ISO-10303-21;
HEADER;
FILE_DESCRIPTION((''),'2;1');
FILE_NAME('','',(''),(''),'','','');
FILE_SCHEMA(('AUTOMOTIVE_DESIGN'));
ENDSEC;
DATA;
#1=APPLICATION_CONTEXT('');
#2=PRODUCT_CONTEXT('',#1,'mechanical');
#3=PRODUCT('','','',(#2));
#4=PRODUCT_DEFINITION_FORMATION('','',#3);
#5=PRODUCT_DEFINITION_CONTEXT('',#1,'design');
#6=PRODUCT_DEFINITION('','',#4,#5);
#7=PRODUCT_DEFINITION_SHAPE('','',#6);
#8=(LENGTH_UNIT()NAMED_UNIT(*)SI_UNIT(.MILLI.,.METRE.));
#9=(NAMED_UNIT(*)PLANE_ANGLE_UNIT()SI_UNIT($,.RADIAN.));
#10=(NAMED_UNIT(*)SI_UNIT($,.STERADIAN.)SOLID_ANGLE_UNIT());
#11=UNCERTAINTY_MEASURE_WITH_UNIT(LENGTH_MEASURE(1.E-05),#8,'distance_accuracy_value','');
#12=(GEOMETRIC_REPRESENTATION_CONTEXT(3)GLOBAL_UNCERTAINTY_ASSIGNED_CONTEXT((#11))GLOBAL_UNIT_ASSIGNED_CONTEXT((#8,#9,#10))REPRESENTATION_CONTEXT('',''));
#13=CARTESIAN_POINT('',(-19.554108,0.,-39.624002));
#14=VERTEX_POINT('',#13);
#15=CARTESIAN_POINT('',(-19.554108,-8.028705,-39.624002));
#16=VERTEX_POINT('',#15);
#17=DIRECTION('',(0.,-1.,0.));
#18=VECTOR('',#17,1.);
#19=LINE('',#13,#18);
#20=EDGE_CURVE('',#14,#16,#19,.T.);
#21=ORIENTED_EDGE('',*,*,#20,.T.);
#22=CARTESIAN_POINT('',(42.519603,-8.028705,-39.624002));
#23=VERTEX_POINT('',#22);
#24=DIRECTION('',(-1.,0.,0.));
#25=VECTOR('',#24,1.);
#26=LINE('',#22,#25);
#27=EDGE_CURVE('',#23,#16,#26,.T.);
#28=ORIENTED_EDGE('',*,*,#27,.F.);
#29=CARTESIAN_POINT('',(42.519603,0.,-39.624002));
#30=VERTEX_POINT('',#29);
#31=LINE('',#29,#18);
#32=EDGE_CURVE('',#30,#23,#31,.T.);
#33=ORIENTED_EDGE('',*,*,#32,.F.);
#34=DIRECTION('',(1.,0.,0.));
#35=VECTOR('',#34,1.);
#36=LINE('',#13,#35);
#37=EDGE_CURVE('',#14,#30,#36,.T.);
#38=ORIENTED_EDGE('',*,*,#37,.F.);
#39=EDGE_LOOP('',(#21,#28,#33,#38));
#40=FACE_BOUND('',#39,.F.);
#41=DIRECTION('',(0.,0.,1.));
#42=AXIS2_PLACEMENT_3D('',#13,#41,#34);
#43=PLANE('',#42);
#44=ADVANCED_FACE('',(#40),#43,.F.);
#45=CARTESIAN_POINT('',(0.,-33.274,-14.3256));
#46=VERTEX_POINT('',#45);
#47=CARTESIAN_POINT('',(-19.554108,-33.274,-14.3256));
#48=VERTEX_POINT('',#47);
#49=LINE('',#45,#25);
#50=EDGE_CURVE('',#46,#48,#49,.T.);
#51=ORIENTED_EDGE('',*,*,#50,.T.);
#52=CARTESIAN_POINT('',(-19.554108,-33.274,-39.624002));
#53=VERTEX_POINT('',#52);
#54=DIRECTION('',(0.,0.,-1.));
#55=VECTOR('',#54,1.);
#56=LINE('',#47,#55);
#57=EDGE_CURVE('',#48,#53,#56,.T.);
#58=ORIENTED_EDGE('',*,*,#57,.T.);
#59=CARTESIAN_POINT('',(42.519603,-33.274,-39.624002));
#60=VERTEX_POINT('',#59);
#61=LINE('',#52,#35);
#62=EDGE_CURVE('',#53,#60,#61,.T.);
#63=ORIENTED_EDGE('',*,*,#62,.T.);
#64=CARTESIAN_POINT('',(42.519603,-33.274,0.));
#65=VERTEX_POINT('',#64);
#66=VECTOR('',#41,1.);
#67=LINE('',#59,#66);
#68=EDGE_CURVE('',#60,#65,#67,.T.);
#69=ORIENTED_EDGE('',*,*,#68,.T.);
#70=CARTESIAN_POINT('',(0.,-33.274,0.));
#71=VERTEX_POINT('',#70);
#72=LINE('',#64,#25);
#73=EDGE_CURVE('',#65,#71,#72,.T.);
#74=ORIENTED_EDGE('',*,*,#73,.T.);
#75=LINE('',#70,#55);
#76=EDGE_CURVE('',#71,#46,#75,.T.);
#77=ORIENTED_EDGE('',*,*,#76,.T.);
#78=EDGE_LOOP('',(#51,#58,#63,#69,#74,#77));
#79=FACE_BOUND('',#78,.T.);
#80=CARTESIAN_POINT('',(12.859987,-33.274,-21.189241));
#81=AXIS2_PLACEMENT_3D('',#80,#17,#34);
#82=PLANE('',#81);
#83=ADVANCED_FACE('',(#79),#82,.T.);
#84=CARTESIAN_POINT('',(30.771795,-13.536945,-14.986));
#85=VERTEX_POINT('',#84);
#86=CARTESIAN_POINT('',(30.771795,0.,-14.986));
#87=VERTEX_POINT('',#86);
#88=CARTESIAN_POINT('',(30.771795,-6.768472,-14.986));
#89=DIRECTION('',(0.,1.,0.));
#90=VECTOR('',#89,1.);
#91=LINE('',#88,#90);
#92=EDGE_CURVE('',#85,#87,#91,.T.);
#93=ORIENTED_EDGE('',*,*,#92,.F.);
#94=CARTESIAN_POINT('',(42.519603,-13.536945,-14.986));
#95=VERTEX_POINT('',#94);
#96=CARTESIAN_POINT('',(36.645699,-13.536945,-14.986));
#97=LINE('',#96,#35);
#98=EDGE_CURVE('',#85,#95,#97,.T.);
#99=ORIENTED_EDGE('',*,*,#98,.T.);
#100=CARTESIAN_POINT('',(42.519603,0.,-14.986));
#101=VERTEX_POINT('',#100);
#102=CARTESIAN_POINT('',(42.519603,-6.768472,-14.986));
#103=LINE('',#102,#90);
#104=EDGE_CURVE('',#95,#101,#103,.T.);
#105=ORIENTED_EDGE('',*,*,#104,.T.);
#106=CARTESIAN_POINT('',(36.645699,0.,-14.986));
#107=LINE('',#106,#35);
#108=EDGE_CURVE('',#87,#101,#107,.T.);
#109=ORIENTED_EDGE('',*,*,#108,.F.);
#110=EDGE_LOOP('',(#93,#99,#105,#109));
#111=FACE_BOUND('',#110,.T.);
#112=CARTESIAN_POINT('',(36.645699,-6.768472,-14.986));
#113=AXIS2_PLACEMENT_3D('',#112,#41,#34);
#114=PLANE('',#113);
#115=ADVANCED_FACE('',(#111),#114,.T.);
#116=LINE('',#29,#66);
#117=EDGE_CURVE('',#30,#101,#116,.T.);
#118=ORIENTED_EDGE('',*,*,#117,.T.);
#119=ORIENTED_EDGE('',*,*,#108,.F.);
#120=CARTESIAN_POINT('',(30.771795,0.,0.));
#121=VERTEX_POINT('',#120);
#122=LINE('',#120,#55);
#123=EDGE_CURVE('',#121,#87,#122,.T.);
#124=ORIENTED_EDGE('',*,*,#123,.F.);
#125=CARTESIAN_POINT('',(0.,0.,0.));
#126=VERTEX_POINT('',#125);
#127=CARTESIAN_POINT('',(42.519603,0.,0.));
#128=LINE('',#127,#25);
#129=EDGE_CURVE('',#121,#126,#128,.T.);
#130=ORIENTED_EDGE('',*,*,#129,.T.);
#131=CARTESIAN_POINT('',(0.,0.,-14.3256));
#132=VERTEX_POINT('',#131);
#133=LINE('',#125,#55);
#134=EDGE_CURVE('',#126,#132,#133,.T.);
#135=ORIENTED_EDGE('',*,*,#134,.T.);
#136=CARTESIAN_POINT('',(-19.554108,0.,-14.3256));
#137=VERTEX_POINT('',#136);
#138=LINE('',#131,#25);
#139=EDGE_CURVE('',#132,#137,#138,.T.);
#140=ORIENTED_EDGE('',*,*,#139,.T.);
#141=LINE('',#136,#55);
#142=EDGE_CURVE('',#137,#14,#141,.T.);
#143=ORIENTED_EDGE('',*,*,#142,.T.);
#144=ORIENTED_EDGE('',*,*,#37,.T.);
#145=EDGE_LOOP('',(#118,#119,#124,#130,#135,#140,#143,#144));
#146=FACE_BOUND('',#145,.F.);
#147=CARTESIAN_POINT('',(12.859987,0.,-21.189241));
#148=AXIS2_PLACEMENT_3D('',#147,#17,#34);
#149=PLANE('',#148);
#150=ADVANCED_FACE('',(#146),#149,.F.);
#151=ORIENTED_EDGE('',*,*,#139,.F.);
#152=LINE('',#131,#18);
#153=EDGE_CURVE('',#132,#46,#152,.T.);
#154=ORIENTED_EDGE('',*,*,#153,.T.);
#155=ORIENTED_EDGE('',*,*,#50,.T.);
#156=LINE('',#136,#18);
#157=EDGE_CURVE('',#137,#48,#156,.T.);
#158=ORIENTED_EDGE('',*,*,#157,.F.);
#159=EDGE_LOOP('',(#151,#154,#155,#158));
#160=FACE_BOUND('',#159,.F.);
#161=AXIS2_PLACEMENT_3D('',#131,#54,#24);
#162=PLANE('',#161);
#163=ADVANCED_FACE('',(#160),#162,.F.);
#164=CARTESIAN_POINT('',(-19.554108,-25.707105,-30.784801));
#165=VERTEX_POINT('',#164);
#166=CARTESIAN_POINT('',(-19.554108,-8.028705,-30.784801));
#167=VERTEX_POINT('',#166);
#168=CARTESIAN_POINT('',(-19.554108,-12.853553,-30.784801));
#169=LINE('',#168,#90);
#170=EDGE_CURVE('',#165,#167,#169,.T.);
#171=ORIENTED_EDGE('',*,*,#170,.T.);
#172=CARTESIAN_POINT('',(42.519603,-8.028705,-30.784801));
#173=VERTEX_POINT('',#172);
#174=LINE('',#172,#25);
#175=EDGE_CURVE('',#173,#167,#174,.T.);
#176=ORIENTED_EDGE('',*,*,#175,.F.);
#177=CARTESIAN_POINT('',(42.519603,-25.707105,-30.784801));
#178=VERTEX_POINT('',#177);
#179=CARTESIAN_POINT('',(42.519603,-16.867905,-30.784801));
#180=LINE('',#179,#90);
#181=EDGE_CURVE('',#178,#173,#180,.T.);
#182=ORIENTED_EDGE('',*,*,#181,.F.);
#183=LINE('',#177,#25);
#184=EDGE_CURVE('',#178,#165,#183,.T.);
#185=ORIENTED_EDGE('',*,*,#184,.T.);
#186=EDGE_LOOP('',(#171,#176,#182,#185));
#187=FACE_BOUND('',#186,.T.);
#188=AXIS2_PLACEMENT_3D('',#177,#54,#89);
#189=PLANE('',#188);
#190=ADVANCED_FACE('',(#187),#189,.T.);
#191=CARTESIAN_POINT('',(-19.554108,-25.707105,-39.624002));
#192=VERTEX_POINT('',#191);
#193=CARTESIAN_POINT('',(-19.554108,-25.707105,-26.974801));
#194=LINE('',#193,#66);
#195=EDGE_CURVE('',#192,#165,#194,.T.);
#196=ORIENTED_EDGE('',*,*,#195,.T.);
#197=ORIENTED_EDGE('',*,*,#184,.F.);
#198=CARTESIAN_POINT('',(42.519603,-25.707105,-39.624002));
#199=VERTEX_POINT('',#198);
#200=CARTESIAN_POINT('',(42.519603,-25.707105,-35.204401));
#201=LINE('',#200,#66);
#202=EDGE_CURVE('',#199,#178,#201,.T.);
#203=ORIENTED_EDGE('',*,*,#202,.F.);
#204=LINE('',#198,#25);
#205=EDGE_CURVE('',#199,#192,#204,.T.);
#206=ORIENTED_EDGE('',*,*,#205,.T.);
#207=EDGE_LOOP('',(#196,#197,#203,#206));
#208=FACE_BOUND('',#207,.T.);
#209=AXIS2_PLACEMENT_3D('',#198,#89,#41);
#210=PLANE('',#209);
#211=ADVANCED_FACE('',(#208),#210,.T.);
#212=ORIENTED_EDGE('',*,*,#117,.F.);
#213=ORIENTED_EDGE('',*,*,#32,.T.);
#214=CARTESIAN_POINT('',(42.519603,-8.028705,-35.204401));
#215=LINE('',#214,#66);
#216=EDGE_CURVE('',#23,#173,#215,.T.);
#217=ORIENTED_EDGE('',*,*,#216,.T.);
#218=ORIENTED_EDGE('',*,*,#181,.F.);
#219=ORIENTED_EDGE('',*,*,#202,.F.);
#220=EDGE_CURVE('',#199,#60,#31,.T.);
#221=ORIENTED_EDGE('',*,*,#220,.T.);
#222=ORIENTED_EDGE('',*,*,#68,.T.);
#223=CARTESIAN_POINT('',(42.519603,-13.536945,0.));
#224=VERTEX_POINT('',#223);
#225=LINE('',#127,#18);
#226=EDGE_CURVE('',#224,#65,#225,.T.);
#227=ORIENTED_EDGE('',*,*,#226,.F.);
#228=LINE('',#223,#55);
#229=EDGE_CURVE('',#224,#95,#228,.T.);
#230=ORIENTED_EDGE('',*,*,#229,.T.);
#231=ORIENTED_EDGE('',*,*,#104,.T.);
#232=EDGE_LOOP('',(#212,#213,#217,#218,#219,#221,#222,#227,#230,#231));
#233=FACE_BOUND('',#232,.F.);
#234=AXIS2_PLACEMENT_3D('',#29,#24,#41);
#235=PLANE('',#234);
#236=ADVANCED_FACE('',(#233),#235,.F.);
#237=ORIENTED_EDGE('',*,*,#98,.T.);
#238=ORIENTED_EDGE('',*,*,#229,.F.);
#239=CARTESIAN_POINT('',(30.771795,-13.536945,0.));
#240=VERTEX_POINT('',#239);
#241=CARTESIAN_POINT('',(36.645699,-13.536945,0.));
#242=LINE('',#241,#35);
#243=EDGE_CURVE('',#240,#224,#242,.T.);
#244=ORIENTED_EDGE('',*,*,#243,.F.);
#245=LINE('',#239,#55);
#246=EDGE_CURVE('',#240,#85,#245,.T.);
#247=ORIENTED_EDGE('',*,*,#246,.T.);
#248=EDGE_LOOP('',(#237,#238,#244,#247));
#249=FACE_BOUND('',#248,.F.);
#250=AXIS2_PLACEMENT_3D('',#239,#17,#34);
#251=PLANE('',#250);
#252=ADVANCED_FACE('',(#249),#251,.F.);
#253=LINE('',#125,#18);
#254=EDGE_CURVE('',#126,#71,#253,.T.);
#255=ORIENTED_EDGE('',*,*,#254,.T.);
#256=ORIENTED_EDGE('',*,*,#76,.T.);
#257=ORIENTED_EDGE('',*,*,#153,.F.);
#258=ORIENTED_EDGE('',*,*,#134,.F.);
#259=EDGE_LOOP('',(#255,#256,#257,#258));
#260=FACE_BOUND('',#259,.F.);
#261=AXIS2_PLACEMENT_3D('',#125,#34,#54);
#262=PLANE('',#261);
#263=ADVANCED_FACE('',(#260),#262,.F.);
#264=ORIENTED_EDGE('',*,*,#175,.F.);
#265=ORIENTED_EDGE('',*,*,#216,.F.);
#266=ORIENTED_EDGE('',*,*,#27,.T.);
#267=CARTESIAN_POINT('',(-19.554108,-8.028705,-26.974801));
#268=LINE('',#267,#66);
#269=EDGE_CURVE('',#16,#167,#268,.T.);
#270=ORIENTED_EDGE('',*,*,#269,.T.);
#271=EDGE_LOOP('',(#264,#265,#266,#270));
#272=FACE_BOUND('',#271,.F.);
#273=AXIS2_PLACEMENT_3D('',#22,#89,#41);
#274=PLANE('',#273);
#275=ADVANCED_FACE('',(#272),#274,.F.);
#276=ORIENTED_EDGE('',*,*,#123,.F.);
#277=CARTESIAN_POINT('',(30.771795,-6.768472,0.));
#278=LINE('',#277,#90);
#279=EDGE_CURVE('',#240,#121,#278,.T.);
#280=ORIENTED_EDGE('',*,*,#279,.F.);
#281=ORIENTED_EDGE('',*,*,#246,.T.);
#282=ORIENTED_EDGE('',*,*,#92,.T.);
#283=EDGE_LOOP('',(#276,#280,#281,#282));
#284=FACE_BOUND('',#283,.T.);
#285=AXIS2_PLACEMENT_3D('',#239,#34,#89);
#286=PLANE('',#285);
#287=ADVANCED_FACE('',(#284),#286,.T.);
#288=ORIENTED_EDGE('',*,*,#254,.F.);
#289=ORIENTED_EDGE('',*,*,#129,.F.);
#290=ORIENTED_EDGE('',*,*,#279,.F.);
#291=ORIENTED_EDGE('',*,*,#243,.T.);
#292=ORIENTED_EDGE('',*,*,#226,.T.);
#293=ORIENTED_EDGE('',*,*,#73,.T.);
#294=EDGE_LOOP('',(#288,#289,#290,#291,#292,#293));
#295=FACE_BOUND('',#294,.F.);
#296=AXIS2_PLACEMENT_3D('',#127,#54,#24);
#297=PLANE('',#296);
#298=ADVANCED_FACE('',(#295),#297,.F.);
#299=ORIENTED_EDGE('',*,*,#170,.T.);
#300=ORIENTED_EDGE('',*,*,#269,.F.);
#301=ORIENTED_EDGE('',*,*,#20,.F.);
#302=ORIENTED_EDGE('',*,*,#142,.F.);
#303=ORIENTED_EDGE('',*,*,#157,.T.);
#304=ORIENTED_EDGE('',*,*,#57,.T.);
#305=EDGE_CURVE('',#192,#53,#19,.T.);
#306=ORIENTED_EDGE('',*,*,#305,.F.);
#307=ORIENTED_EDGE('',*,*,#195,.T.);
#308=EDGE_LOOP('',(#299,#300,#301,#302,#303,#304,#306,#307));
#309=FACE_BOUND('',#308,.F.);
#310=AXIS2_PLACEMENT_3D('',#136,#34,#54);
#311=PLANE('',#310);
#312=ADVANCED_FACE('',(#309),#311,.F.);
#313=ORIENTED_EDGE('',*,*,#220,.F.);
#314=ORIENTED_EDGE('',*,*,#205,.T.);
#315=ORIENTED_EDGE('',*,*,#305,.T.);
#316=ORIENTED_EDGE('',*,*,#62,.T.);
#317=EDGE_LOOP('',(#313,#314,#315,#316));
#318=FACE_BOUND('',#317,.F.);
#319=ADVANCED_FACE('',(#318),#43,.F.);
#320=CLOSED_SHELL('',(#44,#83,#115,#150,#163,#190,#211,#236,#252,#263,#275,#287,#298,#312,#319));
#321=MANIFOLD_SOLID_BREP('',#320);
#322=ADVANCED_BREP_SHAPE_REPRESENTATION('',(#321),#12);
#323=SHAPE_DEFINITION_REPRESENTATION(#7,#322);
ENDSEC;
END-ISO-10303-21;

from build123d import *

# Parameters (mm, degrees)
F1_DEPTH = 33.274
F2_W     = 11.7478076556
F2_H     = 13.536944912
F3_DEPTH = 14.986
F4_W     = 17.6784005016
F4_H     = 8.8392011821
F5_DEPTH = 84.836


with BuildPart() as f1:
    # F0 (on Front) → F1 (new body)
    with BuildSketch(Plane.XZ):
        Polygon((42.5196029246, 0), (0, 0), (0, -14.3256001174), (-19.5541083813, -14.3256001174), (-19.5541083813, -39.6240018308), (42.5196029246, -39.6240018308), align=None)
    extrude(amount=F1_DEPTH)

    # F2 (on face) → F3 (cut)
    with BuildSketch(Plane.XY):
        with Locations((36.6456990968, -6.768472456)):
            Rectangle(F2_W, F2_H)
    extrude(amount=-F3_DEPTH, mode=Mode.SUBTRACT)

    # F4 (on face) → F5 (cut)
    with BuildSketch(Plane.YZ.offset(42.5196029246)):
        with Locations((-16.8679049239, -35.2044012398)):
            Rectangle(F4_W, F4_H)
    extrude(amount=-F5_DEPTH, mode=Mode.SUBTRACT)


solid = f1.part
